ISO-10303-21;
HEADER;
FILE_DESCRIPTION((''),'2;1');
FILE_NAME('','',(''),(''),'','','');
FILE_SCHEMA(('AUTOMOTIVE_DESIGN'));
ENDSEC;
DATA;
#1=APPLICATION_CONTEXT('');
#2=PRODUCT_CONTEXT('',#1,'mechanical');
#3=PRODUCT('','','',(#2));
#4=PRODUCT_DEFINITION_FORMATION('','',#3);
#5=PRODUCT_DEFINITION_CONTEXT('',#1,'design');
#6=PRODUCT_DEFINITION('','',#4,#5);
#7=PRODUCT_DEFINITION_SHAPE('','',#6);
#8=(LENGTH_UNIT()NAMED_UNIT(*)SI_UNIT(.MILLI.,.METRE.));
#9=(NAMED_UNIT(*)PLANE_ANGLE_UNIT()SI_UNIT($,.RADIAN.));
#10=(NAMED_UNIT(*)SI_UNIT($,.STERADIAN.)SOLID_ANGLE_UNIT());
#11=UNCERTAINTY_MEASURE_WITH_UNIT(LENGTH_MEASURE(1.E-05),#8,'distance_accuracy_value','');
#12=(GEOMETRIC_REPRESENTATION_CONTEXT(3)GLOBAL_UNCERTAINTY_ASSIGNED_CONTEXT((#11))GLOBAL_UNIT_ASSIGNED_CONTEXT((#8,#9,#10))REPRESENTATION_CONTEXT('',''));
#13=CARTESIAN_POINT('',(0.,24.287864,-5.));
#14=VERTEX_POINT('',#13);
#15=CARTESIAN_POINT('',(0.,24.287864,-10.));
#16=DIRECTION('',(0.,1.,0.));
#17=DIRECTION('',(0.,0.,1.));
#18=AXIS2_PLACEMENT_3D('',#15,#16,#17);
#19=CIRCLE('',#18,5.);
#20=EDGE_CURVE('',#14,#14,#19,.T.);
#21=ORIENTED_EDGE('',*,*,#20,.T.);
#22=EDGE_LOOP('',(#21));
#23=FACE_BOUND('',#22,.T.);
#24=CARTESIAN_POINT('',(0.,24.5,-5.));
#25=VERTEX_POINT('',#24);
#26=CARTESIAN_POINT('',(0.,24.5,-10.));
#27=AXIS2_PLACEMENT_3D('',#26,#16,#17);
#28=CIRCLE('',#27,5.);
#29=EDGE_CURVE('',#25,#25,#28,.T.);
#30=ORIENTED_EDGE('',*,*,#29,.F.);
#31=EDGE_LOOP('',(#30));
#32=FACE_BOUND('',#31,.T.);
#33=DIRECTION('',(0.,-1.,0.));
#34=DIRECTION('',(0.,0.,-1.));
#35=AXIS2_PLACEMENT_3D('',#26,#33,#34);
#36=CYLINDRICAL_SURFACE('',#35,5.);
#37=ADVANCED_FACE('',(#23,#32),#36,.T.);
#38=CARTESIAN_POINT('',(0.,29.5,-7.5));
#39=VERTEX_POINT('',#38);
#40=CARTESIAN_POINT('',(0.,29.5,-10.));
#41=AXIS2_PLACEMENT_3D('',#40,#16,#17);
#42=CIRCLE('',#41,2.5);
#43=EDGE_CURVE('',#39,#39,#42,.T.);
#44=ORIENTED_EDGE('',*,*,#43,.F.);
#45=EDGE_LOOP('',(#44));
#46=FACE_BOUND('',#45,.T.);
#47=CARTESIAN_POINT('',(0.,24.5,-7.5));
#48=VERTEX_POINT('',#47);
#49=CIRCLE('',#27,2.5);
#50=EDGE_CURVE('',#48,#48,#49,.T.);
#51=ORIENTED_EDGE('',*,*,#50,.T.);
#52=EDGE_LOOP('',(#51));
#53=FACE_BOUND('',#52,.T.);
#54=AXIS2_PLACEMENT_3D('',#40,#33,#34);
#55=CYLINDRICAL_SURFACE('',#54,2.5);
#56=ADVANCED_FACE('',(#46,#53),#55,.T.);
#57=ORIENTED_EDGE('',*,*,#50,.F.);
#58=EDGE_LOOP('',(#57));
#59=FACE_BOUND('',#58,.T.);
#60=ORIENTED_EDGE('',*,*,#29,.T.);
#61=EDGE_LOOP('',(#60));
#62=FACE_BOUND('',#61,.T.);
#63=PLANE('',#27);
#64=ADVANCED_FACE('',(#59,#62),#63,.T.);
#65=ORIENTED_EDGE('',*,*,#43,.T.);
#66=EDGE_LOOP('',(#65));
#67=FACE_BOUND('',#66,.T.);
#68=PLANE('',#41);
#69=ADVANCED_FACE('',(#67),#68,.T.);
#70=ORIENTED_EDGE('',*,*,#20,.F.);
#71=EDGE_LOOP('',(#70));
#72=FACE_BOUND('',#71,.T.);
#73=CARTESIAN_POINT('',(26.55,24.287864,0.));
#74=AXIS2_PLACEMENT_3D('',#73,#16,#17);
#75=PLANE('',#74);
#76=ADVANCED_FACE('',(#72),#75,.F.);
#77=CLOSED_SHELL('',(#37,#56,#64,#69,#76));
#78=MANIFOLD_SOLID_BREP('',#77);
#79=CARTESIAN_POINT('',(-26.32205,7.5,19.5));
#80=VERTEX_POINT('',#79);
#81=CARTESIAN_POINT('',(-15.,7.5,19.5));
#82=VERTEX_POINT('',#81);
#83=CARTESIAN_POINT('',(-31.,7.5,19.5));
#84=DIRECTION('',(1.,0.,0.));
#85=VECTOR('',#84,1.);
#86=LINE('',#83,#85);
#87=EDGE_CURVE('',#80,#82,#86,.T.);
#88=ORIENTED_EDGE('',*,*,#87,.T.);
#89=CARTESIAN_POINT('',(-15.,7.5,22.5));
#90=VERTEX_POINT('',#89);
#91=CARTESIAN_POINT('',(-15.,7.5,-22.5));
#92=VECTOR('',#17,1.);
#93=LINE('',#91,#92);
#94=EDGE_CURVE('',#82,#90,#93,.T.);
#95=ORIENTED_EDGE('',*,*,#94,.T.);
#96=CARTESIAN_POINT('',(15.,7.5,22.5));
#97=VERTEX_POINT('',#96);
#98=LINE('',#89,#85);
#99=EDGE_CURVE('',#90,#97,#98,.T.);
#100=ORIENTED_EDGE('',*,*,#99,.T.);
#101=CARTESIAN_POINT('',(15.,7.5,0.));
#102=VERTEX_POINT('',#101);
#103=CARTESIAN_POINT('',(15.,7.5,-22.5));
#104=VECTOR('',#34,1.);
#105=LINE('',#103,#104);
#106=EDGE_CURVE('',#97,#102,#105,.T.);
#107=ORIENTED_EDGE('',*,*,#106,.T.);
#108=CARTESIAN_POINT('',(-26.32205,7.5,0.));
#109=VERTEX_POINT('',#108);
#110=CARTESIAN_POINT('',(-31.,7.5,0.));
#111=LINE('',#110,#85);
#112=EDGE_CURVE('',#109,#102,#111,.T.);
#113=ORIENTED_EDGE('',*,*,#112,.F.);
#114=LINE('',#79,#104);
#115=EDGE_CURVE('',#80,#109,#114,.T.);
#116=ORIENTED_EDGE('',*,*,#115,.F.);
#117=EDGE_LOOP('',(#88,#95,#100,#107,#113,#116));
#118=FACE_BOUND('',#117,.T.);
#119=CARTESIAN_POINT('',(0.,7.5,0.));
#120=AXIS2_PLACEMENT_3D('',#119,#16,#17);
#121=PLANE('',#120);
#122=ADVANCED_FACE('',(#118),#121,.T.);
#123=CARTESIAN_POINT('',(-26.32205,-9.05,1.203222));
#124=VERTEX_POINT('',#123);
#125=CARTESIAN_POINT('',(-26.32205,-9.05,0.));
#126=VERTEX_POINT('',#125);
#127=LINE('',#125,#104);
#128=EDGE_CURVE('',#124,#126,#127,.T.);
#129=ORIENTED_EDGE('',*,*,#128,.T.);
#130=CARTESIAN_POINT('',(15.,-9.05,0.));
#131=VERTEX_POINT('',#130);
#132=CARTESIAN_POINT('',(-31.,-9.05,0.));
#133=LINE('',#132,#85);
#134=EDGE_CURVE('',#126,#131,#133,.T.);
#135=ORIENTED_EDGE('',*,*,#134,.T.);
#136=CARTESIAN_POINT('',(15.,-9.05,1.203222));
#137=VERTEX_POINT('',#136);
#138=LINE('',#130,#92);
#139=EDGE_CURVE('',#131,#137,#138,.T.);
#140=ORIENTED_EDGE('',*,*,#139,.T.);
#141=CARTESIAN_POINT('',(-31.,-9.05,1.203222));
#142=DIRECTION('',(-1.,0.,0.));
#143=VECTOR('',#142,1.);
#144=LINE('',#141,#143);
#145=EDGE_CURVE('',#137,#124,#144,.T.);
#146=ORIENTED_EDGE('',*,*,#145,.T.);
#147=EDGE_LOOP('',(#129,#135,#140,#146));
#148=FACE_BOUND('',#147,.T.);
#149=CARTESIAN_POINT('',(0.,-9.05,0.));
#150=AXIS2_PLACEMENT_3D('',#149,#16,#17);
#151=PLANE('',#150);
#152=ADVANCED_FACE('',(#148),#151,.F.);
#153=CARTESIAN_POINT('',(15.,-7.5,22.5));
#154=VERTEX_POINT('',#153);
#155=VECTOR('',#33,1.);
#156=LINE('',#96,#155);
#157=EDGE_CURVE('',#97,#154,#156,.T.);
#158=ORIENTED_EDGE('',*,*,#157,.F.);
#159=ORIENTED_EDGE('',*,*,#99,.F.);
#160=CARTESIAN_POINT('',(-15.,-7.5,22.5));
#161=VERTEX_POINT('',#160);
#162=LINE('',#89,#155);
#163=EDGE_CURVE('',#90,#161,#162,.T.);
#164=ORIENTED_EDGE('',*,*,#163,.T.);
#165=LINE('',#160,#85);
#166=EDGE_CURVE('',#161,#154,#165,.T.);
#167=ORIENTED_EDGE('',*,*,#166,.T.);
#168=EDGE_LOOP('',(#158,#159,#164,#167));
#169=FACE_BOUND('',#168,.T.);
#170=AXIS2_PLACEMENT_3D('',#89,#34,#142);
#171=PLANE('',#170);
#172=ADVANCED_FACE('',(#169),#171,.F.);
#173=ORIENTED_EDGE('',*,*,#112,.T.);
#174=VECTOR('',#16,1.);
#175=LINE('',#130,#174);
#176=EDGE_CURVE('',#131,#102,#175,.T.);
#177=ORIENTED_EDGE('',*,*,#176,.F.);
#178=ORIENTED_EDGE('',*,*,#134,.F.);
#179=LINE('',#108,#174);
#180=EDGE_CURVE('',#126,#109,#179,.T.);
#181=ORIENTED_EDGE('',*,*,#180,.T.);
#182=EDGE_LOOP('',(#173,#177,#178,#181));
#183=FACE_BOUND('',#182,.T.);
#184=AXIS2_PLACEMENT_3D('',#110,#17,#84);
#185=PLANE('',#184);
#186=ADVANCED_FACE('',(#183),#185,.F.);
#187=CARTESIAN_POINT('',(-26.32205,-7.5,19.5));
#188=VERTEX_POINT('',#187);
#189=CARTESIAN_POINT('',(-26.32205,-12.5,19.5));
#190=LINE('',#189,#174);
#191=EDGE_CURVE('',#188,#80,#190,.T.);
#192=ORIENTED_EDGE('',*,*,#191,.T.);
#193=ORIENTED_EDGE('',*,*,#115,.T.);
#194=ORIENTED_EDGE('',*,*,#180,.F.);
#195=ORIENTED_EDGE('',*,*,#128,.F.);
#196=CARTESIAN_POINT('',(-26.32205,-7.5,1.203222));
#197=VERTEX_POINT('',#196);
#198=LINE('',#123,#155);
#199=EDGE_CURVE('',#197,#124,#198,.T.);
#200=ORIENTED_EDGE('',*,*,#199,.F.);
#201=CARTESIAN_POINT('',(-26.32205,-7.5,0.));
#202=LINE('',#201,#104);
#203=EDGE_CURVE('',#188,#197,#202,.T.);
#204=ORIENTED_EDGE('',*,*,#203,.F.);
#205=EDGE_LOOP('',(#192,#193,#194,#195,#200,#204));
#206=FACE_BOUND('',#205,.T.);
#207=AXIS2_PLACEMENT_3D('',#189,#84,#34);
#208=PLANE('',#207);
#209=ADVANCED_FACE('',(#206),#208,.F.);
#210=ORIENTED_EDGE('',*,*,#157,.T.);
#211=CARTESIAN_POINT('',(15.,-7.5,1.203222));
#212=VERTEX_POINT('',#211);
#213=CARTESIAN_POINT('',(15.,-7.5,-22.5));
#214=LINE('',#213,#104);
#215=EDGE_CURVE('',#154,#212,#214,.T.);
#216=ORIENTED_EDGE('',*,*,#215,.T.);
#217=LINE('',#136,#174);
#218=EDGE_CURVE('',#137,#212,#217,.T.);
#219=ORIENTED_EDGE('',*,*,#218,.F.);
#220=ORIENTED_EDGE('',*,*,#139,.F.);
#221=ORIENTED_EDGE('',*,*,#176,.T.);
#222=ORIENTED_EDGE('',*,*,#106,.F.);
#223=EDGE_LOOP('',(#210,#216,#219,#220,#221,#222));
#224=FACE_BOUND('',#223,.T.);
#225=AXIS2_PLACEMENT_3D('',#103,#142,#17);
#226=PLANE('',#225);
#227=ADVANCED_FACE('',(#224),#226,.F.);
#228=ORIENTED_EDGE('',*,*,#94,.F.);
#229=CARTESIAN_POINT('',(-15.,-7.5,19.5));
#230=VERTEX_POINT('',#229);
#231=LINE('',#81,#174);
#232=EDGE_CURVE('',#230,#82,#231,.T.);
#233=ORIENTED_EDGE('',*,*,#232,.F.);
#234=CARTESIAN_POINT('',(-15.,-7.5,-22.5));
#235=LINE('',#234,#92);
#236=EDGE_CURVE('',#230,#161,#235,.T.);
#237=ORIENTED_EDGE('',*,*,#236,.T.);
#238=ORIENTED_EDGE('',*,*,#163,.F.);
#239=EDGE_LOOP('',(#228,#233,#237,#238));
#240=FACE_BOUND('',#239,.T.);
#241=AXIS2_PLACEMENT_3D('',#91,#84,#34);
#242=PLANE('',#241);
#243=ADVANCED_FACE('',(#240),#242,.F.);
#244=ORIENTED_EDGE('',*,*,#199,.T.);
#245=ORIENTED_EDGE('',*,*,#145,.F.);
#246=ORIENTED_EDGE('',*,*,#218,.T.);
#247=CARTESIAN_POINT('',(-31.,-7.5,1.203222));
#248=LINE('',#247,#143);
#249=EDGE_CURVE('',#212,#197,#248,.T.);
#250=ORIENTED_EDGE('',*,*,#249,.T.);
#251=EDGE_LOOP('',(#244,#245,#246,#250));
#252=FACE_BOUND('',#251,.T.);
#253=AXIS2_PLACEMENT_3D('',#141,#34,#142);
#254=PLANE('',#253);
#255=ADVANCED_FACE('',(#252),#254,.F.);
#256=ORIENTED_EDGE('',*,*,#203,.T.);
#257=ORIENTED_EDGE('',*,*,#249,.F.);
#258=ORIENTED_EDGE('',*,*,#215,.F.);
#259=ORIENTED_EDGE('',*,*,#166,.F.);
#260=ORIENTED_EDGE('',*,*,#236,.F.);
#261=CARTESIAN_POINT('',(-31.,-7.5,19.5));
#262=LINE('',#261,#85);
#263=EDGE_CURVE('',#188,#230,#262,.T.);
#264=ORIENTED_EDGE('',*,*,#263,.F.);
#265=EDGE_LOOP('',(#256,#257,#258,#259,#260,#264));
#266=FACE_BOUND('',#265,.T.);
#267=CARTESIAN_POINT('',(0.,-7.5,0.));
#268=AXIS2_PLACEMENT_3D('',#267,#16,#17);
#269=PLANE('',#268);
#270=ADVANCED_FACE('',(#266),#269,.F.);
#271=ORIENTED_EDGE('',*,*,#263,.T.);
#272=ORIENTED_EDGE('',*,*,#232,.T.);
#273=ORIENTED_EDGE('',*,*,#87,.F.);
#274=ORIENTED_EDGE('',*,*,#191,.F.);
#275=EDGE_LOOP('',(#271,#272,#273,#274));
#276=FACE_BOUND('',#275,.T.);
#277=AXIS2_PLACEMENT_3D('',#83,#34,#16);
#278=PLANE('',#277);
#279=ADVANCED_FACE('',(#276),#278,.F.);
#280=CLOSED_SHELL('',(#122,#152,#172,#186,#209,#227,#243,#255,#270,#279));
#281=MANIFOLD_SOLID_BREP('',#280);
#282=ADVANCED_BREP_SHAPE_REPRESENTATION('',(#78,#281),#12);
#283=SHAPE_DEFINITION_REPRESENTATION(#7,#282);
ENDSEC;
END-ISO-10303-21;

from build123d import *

# Parameters (mm, degrees)
CROQUIS1_W              = 30
CROQUIS1_H              = 45
SALIENTE_EXTRUIR1_DEPTH = 7.5
CROQUIS2_W              = 20
CROQUIS2_H              = 15
SALIENTE_EXTRUIR2_DEPTH = 15
CROQUIS3_W              = 20
CROQUIS3_H              = 15
SALIENTE_EXTRUIR3_DEPTH = 8
CROQUIS4_R              = 5
SALIENTE_EXTRUIR4_DEPTH = 2
CROQUIS5_R              = 2.5
SALIENTE_EXTRUIR5_DEPTH = 5
CROQUIS6_W              = 19.5
CROQUIS6_H              = 15
SALIENTE_EXTRUIR6_DEPTH = 16
CROQUIS7_W              = 46
CROQUIS7_H              = 1.203222492
SALIENTE_EXTRUIR7_DEPTH = 1.55
CROQUIS9_W              = 23.595920382
CROQUIS9_H              = 45.94478853
CORTAR_EXTRUIR1_DEPTH   = 41.55
CROQUIS10_W             = 4.677949999
CROQUIS10_H             = 19.5
CORTAR_EXTRUIR2_DEPTH   = 20


with BuildPart() as part:
    # Croquis1 → Saliente-Extruir1 (new, symmetric)
    with BuildSketch(Plane(origin=(0, 0, 0), x_dir=(1, 0, 0), z_dir=(0, 1, 0))):
        Rectangle(CROQUIS1_W, CROQUIS1_H)
    extrude(amount=SALIENTE_EXTRUIR1_DEPTH, both=True)

    # Croquis2 → Saliente-Extruir2 (add)
    with BuildSketch(Plane(origin=(0, 7.5, 0), x_dir=(1, 0, 0), z_dir=(0, 1, 0))):
        with Locations((0, 10)):
            Rectangle(CROQUIS2_W, CROQUIS2_H)
    extrude(amount=SALIENTE_EXTRUIR2_DEPTH)

    # Croquis3 → Saliente-Extruir3 (add)
    with BuildSketch(Plane.XZ.offset(7.5)):
        with Locations((0, -10)):
            Rectangle(CROQUIS3_W, CROQUIS3_H)
    extrude(amount=SALIENTE_EXTRUIR3_DEPTH)

    # Croquis4 → Saliente-Extruir4 (add)
    with BuildSketch(Plane(origin=(0, 22.5, 0), x_dir=(1, 0, 0), z_dir=(0, 1, 0))):
        with Locations(Location((0, 10, 0), (0, 0, 270))):
            Circle(CROQUIS4_R)
    extrude(amount=SALIENTE_EXTRUIR4_DEPTH)

    # Croquis5 → Saliente-Extruir5 (add)
    with BuildSketch(Plane(origin=(0, 24.5, 0), x_dir=(1, 0, 0), z_dir=(0, 1, 0))):
        with Locations(Location((0, 10, 0), (0, 0, 270))):
            Circle(CROQUIS5_R)
    extrude(amount=SALIENTE_EXTRUIR5_DEPTH)

    # Croquis6 → Saliente-Extruir6 (add)
    with BuildSketch(Plane.ZY.offset(15)):
        with Locations((9.75, 0)):
            Rectangle(CROQUIS6_W, CROQUIS6_H)
    extrude(amount=SALIENTE_EXTRUIR6_DEPTH)

    # Croquis7 → Saliente-Extruir7 (add)
    with BuildSketch(Plane.XZ.offset(7.5)):
        with Locations((-8, 0.601611246)):
            Rectangle(CROQUIS7_W, CROQUIS7_H)
    extrude(amount=SALIENTE_EXTRUIR7_DEPTH)

    # Croquis9 → Cortar-Extruir1 (cut)
    with BuildSketch(Plane.ZY.offset(15)):
        with Locations((-11.797960191, 1.315469515)):
            Rectangle(CROQUIS9_W, CROQUIS9_H)
    extrude(amount=-CORTAR_EXTRUIR1_DEPTH, mode=Mode.SUBTRACT)


with BuildPart() as cortar_extruir1_piece_1:
    # of the separate pieces the step leaves, piece 1, a body of its own (cortar_extruir1_pieces)
    add(part.part.solids().sort_by_distance((-31, 7.5, 0))[0])

    # Croquis10 → Cortar-Extruir2 (cut)
    with BuildSketch(Plane(origin=(0, 7.5, 0), x_dir=(1, 0, 0), z_dir=(0, 1, 0))):
        with Locations((-28.661025001, -9.75)):
            Rectangle(CROQUIS10_W, CROQUIS10_H)
    extrude(amount=-CORTAR_EXTRUIR2_DEPTH, mode=Mode.SUBTRACT)


with BuildPart() as cortar_extruir1_piece_2:
    # of the separate pieces the step leaves, piece 2, a body of its own (cortar_extruir1_pieces)
    add(part.part.solids().sort_by_distance((0, 24.28786378, -5))[0])


solid = Compound([cortar_extruir1_piece_1.part, cortar_extruir1_piece_2.part])
